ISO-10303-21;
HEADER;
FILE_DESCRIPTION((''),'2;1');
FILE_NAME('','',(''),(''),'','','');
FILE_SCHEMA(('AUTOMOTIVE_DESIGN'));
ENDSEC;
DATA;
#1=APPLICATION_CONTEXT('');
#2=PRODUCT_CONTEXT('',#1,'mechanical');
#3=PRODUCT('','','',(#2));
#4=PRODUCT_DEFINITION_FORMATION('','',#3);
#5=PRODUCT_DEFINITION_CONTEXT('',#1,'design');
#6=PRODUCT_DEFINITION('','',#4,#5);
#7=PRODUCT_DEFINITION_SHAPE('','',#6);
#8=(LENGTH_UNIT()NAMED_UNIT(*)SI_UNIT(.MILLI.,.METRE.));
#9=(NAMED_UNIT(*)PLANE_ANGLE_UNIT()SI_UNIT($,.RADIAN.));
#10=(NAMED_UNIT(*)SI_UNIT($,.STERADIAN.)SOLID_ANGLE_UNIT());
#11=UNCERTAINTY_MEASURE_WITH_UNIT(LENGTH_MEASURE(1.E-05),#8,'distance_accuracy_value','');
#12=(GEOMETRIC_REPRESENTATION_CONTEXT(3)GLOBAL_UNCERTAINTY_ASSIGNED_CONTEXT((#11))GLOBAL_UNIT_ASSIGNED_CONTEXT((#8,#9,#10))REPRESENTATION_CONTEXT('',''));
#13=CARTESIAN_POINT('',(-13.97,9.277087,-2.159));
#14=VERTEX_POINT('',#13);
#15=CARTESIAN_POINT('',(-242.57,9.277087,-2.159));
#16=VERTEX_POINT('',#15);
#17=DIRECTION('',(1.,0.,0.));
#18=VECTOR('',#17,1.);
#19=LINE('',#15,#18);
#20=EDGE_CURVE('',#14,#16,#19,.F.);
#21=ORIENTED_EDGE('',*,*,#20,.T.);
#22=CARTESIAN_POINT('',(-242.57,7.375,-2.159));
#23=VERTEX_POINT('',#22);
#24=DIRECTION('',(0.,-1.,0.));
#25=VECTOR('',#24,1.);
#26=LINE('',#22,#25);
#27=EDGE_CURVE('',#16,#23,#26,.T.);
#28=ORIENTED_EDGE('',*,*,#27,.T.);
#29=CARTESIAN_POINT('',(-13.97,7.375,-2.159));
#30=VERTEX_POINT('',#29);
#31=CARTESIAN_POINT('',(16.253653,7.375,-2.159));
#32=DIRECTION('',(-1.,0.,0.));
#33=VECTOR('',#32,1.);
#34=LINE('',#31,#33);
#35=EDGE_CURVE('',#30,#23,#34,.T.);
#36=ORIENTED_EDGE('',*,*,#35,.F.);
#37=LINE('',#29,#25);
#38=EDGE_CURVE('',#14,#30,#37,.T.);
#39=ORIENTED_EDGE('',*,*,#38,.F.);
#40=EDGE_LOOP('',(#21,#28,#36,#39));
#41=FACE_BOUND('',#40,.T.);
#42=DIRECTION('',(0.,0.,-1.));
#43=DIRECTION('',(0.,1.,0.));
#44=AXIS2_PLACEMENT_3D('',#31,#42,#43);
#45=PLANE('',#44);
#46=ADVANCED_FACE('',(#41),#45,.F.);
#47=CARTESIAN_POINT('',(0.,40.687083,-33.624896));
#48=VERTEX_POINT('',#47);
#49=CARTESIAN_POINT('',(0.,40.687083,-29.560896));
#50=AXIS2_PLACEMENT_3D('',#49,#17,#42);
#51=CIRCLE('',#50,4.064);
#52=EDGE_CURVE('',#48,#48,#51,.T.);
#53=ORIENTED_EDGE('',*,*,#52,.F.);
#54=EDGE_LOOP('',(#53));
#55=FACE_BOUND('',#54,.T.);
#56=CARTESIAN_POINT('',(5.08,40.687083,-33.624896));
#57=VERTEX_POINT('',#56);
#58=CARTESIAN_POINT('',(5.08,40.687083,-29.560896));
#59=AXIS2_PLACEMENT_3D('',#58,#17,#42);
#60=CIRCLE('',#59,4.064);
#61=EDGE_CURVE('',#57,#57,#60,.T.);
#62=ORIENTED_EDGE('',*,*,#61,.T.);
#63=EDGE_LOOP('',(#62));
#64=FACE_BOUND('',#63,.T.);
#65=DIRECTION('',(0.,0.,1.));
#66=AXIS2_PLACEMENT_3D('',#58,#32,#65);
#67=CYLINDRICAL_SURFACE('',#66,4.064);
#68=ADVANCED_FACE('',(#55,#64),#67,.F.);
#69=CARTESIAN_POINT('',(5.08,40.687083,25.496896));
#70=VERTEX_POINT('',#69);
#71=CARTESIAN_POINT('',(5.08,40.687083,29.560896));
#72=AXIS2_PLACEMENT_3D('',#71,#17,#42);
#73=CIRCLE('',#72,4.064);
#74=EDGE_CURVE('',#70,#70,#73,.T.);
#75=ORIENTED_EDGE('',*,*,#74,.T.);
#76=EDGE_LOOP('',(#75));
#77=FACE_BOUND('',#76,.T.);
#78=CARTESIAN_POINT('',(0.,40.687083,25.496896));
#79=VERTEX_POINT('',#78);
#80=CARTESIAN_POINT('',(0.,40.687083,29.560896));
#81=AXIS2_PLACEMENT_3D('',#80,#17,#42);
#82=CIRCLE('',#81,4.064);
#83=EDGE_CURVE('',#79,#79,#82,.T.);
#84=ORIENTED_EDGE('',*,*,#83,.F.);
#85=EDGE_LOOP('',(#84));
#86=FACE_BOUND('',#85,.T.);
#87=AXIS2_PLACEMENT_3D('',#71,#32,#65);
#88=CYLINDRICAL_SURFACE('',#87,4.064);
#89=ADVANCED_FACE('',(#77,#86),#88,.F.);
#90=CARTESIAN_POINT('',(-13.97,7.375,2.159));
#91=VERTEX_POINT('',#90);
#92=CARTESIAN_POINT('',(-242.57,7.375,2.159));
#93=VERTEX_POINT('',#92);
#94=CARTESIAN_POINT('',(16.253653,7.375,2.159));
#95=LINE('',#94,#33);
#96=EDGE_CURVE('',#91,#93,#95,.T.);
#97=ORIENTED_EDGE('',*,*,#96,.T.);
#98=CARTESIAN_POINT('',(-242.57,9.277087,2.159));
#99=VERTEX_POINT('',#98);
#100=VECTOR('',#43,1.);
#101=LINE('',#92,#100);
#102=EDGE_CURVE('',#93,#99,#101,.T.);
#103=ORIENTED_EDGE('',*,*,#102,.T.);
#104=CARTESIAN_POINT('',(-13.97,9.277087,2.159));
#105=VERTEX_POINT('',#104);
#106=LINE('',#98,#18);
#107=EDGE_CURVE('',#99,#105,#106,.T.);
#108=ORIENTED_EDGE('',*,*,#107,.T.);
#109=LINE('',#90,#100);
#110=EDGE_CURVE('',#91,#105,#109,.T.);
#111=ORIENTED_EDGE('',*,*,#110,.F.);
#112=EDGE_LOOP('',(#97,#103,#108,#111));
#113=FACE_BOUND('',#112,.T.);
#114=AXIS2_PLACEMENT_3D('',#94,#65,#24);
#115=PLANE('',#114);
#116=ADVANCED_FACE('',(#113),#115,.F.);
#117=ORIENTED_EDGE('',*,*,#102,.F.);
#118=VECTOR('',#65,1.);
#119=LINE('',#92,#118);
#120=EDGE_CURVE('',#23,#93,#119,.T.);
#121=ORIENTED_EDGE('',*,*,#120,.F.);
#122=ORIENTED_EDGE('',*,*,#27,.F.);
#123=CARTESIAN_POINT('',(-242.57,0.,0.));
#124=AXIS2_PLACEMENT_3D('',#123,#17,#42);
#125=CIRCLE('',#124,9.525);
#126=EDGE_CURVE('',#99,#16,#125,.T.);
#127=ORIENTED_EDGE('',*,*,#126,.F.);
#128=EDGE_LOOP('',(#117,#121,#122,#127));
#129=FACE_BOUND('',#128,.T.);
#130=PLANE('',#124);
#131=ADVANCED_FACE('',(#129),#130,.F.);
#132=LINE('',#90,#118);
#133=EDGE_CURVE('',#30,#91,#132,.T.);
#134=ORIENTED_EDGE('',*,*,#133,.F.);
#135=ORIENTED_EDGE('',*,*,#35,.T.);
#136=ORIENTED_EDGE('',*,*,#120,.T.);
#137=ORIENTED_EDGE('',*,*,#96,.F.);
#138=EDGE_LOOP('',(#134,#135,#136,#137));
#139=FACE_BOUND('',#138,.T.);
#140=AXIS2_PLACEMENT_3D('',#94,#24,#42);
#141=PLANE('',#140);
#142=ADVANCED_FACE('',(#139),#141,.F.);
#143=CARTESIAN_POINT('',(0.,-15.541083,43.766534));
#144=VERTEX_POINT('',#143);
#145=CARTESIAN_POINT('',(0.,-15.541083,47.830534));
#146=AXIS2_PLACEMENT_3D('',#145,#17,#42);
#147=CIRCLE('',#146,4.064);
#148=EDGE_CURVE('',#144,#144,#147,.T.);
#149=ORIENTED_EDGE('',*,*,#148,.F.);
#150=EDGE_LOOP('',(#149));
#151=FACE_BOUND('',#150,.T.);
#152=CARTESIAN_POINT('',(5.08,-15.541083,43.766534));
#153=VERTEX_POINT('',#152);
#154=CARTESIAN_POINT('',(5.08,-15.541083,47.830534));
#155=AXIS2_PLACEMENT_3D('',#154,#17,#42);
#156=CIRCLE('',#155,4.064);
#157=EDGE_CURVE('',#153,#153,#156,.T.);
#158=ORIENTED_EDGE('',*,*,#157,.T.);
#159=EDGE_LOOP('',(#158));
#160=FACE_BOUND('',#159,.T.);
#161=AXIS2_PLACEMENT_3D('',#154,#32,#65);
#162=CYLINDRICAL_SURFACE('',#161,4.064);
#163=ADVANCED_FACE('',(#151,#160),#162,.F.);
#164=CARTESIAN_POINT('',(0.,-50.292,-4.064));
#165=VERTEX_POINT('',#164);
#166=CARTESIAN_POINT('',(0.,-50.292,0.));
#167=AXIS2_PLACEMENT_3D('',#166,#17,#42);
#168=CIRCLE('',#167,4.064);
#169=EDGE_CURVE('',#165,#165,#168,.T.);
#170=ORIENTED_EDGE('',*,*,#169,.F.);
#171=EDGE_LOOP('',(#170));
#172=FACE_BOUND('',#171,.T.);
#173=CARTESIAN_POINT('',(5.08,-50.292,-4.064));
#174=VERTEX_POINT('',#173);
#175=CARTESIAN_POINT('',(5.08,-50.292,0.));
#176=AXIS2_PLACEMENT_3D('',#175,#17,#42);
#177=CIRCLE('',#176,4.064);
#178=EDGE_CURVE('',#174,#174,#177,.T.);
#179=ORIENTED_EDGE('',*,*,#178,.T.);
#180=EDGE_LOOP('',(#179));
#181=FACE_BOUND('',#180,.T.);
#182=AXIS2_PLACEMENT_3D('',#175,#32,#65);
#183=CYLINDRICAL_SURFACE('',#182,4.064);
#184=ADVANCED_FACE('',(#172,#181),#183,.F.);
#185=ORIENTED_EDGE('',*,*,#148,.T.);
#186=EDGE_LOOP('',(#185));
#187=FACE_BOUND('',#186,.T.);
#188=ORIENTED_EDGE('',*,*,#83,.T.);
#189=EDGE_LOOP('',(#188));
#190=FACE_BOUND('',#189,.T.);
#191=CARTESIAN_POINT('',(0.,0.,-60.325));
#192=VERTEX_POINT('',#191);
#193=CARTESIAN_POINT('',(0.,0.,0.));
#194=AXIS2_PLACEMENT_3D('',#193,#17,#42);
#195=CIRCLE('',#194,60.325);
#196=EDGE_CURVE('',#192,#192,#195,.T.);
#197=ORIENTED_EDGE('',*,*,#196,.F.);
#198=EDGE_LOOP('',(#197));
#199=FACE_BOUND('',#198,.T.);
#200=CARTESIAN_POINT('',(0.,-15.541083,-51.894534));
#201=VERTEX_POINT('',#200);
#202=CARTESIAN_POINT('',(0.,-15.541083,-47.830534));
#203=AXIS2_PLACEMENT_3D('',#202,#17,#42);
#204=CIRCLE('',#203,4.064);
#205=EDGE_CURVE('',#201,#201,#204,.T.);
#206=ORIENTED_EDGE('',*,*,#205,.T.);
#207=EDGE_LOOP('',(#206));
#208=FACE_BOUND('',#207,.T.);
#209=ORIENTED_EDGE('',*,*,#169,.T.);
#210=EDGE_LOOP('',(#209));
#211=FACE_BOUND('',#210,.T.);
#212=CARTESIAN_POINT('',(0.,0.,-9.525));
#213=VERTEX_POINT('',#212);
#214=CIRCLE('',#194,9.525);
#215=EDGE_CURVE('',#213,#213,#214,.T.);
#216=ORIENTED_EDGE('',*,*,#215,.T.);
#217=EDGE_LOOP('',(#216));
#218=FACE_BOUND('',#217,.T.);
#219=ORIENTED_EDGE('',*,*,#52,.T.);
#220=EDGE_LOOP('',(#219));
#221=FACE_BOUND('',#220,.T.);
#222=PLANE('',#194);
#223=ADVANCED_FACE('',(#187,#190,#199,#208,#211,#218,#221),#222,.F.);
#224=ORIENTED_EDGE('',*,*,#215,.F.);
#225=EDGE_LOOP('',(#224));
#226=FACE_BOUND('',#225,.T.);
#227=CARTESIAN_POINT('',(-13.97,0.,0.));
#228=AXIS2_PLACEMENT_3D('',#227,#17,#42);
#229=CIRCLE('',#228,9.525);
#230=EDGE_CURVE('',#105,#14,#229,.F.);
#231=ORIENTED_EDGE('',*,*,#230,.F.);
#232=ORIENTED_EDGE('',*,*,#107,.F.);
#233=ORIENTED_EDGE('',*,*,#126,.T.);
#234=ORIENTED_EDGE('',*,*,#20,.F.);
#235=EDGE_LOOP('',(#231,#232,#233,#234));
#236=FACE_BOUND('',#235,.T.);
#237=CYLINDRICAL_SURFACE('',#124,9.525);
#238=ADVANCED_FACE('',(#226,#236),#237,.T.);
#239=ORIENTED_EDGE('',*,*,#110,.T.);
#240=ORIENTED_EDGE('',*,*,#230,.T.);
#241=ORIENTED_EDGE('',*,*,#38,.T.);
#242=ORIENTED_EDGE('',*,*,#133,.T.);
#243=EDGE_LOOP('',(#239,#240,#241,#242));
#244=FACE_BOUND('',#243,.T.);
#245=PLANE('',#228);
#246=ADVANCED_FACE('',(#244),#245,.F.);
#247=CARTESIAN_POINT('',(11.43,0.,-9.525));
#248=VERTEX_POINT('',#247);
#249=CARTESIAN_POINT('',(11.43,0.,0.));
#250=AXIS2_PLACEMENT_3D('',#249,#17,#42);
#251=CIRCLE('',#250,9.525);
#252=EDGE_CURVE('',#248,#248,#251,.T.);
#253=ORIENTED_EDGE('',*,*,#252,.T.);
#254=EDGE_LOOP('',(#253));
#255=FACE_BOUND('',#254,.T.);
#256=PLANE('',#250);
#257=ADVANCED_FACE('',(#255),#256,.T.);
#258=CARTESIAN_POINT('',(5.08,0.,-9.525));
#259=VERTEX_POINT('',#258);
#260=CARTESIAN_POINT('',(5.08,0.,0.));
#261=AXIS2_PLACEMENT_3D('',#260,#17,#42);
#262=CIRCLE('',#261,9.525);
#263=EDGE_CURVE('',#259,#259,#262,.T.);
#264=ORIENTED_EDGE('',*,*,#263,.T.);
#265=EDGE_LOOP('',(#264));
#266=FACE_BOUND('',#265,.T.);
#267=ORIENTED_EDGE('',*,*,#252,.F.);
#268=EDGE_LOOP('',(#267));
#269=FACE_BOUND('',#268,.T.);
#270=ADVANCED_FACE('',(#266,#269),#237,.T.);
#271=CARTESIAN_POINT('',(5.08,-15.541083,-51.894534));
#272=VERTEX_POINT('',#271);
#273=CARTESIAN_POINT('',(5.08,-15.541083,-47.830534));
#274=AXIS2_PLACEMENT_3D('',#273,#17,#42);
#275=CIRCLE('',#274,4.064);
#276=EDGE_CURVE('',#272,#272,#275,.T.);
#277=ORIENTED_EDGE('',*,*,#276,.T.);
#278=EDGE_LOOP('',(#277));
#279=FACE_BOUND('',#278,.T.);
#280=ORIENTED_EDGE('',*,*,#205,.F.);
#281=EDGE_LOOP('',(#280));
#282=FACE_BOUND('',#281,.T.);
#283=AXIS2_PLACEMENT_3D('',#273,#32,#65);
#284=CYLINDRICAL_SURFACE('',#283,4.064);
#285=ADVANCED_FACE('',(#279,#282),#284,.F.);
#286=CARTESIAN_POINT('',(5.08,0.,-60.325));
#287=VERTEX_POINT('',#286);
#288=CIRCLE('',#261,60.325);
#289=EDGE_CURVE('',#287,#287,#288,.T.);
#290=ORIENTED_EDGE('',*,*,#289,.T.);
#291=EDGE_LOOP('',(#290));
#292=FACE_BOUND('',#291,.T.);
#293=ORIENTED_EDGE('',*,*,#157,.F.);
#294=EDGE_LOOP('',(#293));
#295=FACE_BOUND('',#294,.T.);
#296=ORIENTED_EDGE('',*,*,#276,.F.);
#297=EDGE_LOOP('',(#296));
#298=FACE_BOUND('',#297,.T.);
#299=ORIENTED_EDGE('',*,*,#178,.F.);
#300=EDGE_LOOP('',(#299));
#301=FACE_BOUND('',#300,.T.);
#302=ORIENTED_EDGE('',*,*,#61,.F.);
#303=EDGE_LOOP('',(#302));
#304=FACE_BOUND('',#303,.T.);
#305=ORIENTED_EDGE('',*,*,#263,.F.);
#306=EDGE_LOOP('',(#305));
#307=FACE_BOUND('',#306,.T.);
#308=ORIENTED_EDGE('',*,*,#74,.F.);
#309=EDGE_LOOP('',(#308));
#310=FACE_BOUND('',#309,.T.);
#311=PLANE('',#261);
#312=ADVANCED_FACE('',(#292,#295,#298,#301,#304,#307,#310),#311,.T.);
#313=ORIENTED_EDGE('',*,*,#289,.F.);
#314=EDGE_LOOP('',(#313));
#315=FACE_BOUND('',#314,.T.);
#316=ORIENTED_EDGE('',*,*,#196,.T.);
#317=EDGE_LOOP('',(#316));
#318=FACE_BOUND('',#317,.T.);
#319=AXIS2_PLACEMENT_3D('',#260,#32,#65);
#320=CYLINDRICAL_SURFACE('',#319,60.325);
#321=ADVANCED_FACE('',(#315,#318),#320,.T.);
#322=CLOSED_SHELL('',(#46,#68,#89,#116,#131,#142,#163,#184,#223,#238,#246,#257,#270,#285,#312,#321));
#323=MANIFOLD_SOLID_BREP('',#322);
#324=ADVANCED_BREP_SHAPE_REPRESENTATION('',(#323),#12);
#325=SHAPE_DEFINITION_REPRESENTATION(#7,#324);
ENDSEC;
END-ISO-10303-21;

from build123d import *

# Parameters (mm, degrees)
SKETCH1_R                = 60.325
SKETCH1_R_2              = 4.064
BOSS_EXTRUDE1_DEPTH      = 5.08
BOSS_EXTRUDE2_DEPTH      = 6.35
BOSS_EXTRUDE2_DEPTH_BACK = 247.65
SKETCH2_R                = 9.525
SKETCH4_W                = 4.318
SKETCH4_H                = 2.15
CUT_EXTRUDE1_DEPTH       = 228.6


with BuildPart() as part:
    # Sketch1 → Boss-Extrude1 (new body)
    with BuildSketch(Plane(origin=(0, 0, 0), x_dir=(0, 0, -1), z_dir=(1, 0, 0))):
        Circle(SKETCH1_R)
        with Locations((0, -50.292)):
            Circle(SKETCH1_R_2, mode=Mode.SUBTRACT)
        with Locations((-47.830534318, -15.541082681)):
            Circle(SKETCH1_R_2, mode=Mode.SUBTRACT)
        with Locations((-29.560895908, 40.687082681)):
            Circle(SKETCH1_R_2, mode=Mode.SUBTRACT)
        with Locations((29.560895908, 40.687082681)):
            Circle(SKETCH1_R_2, mode=Mode.SUBTRACT)
        with Locations((47.830534318, -15.541082681)):
            Circle(SKETCH1_R_2, mode=Mode.SUBTRACT)
    extrude(amount=BOSS_EXTRUDE1_DEPTH)

    # Sketch2 → Boss-Extrude2 (add, two sides: drawn at the far end of the back side and taken through both)
    with BuildSketch(Plane(origin=(5.08, 0, 0), x_dir=(0, 0, -1), z_dir=(1, 0, 0)).offset(-BOSS_EXTRUDE2_DEPTH_BACK)):
        Circle(SKETCH2_R)
    extrude(amount=BOSS_EXTRUDE2_DEPTH + BOSS_EXTRUDE2_DEPTH_BACK)

    # Sketch4 → Cut-Extrude1 (cut)
    with BuildSketch(Plane.ZY.offset(242.57)):
        with Locations((0, 8.45)):
            Rectangle(SKETCH4_W, SKETCH4_H)
    extrude(amount=-CUT_EXTRUDE1_DEPTH, mode=Mode.SUBTRACT)


solid = part.part
